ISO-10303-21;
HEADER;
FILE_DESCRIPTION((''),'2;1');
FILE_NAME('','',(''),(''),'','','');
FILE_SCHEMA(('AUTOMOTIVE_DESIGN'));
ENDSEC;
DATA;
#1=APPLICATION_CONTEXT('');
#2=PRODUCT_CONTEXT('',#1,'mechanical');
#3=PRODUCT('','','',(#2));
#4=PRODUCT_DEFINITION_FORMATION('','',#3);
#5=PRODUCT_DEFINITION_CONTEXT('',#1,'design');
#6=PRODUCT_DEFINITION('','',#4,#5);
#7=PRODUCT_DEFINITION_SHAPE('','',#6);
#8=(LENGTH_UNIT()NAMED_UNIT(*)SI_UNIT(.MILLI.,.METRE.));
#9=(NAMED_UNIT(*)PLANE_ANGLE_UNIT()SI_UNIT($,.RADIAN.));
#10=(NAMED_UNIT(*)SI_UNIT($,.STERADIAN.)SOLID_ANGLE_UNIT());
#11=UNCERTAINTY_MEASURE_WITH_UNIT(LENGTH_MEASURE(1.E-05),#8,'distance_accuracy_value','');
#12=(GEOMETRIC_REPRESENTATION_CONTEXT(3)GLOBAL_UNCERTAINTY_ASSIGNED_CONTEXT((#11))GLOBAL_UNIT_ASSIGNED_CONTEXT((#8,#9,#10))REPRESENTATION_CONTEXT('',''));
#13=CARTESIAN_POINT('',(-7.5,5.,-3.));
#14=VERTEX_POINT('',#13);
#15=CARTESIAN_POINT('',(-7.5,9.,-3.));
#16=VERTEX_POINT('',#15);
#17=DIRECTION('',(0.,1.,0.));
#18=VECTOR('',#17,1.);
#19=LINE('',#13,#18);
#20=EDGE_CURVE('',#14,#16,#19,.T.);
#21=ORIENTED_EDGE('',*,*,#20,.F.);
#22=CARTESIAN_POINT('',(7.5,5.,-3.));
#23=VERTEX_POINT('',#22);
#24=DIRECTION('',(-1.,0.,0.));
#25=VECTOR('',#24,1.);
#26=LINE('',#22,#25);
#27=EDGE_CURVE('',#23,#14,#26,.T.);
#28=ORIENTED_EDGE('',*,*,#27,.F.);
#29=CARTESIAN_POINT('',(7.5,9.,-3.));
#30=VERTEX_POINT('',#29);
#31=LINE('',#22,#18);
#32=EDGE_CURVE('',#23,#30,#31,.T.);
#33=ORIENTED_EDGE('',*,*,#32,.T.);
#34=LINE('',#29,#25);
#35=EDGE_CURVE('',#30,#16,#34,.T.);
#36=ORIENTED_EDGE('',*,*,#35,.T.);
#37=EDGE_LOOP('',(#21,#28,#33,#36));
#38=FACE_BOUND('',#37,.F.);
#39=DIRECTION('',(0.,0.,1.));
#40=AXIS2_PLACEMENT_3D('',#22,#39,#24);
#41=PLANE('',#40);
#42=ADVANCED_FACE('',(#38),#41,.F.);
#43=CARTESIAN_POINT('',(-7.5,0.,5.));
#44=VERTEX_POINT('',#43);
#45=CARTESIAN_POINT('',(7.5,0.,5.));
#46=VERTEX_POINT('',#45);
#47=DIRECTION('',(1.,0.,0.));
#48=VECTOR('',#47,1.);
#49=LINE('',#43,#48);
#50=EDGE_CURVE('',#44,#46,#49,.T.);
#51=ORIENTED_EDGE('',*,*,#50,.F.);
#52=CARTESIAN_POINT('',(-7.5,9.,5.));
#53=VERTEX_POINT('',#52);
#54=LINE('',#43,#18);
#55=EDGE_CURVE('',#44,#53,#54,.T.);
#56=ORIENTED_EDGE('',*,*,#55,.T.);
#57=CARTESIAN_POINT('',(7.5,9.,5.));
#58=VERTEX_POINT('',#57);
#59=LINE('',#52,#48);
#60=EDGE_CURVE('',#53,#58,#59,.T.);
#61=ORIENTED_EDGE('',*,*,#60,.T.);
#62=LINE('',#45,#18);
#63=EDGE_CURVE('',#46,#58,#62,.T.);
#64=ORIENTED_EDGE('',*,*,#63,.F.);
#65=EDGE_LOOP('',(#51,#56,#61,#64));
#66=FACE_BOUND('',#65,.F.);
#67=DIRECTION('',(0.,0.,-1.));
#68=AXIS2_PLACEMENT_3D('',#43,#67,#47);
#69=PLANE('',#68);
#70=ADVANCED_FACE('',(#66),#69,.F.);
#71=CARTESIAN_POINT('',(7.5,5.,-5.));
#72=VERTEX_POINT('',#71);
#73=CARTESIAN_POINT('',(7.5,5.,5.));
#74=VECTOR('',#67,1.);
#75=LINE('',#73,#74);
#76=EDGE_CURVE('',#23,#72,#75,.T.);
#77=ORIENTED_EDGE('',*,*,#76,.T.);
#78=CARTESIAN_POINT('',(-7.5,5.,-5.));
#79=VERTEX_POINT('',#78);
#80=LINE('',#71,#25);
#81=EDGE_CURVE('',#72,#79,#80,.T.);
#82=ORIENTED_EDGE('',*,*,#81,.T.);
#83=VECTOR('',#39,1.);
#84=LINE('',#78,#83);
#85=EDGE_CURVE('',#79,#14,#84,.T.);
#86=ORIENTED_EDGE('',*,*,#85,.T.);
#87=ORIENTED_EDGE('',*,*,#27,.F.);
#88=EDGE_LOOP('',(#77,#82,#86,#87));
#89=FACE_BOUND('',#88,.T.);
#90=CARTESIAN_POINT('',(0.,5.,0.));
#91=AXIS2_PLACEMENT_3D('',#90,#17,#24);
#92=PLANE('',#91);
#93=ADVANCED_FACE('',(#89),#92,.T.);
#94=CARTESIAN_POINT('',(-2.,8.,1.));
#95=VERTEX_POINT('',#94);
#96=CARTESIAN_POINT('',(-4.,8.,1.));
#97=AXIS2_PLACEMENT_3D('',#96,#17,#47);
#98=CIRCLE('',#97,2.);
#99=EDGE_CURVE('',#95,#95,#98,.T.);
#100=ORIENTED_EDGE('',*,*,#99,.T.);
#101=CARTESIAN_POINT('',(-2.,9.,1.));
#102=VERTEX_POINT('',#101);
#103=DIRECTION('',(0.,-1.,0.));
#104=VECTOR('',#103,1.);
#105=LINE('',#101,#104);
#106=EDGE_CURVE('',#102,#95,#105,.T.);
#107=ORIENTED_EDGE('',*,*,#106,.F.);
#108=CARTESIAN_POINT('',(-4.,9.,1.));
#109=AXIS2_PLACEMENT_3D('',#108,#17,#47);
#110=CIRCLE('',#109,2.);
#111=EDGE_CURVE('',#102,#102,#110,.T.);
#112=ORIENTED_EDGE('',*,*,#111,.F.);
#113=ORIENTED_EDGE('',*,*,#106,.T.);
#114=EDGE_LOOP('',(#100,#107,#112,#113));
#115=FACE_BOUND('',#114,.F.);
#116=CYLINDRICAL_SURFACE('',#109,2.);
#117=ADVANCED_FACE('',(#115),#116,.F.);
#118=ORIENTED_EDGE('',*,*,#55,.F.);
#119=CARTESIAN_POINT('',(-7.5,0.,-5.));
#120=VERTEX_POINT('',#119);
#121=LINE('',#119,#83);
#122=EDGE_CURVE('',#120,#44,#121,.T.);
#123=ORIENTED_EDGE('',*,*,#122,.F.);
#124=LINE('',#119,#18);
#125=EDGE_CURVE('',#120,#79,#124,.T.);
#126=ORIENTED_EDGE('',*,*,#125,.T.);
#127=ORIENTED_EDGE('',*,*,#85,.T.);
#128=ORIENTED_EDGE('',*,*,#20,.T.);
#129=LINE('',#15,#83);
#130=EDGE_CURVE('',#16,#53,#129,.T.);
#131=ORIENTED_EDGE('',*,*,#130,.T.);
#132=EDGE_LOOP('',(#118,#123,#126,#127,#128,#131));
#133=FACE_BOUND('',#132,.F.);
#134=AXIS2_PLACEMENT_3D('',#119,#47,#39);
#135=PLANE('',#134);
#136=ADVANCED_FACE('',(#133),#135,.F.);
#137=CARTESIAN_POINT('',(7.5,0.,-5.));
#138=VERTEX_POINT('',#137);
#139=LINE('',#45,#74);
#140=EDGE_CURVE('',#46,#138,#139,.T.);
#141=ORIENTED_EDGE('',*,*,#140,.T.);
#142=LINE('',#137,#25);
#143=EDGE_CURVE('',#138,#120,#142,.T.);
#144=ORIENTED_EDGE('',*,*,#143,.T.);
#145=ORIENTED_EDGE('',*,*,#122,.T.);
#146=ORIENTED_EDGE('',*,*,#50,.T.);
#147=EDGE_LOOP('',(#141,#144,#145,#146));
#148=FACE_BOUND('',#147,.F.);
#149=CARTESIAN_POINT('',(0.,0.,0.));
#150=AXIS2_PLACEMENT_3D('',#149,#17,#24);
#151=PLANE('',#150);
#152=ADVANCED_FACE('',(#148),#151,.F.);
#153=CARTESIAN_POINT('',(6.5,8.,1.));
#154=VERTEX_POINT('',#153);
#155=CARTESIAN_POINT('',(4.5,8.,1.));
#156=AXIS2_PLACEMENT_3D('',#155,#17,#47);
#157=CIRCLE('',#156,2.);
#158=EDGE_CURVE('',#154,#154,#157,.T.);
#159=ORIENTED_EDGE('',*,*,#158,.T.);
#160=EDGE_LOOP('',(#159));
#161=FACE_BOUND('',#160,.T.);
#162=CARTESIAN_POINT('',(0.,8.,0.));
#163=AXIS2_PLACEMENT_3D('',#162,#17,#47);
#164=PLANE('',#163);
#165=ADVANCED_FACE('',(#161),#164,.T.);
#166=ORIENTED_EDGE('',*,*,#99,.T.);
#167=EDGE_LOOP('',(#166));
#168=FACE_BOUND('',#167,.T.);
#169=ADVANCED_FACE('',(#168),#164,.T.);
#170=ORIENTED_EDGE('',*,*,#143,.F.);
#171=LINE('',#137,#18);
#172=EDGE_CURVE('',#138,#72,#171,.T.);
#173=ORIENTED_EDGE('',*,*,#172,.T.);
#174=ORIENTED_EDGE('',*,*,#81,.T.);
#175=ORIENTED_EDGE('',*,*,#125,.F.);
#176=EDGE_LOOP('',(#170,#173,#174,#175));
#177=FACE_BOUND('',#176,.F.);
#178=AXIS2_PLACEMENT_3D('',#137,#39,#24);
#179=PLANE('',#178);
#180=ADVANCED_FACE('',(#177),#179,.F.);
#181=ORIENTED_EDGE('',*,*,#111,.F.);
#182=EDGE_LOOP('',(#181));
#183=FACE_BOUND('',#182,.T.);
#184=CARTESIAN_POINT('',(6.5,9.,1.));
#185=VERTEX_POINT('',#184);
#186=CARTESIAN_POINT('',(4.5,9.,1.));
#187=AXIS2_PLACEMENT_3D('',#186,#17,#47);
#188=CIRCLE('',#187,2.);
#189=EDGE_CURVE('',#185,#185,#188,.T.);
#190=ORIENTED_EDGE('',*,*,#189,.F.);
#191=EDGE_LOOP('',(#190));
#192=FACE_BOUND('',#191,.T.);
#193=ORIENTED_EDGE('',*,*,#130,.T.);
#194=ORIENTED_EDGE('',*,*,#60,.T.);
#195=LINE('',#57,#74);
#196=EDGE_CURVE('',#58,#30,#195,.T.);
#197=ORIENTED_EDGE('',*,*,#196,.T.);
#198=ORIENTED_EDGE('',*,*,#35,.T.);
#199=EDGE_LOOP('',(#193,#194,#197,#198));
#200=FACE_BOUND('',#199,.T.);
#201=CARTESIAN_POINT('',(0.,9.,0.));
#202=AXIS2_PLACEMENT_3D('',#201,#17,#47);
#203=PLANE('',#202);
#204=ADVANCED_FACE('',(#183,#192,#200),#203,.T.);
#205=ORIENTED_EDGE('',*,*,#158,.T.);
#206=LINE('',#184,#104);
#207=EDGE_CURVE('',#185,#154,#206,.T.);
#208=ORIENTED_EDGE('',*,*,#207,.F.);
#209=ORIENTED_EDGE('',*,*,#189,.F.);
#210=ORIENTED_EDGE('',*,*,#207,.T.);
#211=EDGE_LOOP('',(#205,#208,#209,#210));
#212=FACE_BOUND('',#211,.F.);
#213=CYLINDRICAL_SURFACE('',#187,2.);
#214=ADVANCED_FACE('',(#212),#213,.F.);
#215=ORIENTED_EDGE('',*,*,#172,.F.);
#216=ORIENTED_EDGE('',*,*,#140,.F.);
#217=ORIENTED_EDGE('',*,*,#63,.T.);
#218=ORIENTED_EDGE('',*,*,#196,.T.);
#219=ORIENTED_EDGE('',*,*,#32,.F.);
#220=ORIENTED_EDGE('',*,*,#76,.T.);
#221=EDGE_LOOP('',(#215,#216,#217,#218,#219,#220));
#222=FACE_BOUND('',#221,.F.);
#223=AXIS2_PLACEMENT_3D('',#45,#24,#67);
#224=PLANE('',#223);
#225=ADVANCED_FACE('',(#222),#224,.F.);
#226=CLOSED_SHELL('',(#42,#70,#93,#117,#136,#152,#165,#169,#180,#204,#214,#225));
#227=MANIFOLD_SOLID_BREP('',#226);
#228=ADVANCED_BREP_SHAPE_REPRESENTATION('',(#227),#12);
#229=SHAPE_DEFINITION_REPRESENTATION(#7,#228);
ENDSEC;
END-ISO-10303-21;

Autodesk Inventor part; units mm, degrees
ref_plane "YZ Plane" through (0, 0, 0) normal (1, 0, 0) x (0, 1, 0)
ref_plane "XZ Plane" through (0, 0, 0) normal (0, 1, 0) x (-1, 0, 0)
ref_plane "XY Plane" through (0, 0, 0) normal (0, 0, 1) x (1, 0, 0)
sketch "Szkic1" plane through (0, 0, 0) normal (0, 1, 0) x (-1, 0, 0)
  line L0 (7.5, 5) -> (-7.5, 5)
  line L1 (-7.5, 5) -> (-7.5, -5)
  line L2 (-7.5, -5) -> (7.5, -5)
  line L3 (7.5, -5) -> (7.5, 5)
  point P0 (0, 0)
  dimension "d0" = 10
  dimension "d1" = 15
  dimension "d2" = 5
  dimension "d3" = 7.5
extrude "Wyciągnięcie proste1" add sketch "Szkic1" along normal blind 5
sketch "Szkic2" plane through (0, 5, 0) normal (0, 1, 0) x (1, 0, 0)
  line L0 (-7.5, -5) -> (7.5, -5) projected
  line L1 (7.5, -5) -> (7.5, 5) projected
  line L2 (-7.5, -5) -> (7.5, -5)
  line L3 (7.5, -5) -> (7.5, 3)
  line L4 (7.5, 3) -> (-7.5, 3)
  line L5 (-7.5, 3) -> (-7.5, -5)
  point P0 (0, 0)
  dimension "d6" = 8
extrude "Wyciągnięcie proste2" add sketch "Szkic2" along normal blind 4
sketch "Szkic3" plane through (0, 9, 0) normal (0, 1, 0) x (1, 0, 0)
  circle A0 centre (-4, -1) radius 2
  line L0 (-7.5, 3) -> (-7.5, -5) projected
  line L1 (7.5, 3) -> (-7.5, 3) projected
  circle A1 centre (4.5, -1) radius 2
  line L2 (7.5, -5) -> (7.5, 3) projected
  point P0 (0, 0)
  dimension "d9" = 4
  dimension "d10" = 3.5
  dimension "d11" = 4
  dimension "d12" = 3
  dimension "d13" = 4
  dimension "d14" = 4
extrude "Wyciągnięcie proste3" cut sketch "Szkic3" against normal blind 1
properties part number "Sharp"
